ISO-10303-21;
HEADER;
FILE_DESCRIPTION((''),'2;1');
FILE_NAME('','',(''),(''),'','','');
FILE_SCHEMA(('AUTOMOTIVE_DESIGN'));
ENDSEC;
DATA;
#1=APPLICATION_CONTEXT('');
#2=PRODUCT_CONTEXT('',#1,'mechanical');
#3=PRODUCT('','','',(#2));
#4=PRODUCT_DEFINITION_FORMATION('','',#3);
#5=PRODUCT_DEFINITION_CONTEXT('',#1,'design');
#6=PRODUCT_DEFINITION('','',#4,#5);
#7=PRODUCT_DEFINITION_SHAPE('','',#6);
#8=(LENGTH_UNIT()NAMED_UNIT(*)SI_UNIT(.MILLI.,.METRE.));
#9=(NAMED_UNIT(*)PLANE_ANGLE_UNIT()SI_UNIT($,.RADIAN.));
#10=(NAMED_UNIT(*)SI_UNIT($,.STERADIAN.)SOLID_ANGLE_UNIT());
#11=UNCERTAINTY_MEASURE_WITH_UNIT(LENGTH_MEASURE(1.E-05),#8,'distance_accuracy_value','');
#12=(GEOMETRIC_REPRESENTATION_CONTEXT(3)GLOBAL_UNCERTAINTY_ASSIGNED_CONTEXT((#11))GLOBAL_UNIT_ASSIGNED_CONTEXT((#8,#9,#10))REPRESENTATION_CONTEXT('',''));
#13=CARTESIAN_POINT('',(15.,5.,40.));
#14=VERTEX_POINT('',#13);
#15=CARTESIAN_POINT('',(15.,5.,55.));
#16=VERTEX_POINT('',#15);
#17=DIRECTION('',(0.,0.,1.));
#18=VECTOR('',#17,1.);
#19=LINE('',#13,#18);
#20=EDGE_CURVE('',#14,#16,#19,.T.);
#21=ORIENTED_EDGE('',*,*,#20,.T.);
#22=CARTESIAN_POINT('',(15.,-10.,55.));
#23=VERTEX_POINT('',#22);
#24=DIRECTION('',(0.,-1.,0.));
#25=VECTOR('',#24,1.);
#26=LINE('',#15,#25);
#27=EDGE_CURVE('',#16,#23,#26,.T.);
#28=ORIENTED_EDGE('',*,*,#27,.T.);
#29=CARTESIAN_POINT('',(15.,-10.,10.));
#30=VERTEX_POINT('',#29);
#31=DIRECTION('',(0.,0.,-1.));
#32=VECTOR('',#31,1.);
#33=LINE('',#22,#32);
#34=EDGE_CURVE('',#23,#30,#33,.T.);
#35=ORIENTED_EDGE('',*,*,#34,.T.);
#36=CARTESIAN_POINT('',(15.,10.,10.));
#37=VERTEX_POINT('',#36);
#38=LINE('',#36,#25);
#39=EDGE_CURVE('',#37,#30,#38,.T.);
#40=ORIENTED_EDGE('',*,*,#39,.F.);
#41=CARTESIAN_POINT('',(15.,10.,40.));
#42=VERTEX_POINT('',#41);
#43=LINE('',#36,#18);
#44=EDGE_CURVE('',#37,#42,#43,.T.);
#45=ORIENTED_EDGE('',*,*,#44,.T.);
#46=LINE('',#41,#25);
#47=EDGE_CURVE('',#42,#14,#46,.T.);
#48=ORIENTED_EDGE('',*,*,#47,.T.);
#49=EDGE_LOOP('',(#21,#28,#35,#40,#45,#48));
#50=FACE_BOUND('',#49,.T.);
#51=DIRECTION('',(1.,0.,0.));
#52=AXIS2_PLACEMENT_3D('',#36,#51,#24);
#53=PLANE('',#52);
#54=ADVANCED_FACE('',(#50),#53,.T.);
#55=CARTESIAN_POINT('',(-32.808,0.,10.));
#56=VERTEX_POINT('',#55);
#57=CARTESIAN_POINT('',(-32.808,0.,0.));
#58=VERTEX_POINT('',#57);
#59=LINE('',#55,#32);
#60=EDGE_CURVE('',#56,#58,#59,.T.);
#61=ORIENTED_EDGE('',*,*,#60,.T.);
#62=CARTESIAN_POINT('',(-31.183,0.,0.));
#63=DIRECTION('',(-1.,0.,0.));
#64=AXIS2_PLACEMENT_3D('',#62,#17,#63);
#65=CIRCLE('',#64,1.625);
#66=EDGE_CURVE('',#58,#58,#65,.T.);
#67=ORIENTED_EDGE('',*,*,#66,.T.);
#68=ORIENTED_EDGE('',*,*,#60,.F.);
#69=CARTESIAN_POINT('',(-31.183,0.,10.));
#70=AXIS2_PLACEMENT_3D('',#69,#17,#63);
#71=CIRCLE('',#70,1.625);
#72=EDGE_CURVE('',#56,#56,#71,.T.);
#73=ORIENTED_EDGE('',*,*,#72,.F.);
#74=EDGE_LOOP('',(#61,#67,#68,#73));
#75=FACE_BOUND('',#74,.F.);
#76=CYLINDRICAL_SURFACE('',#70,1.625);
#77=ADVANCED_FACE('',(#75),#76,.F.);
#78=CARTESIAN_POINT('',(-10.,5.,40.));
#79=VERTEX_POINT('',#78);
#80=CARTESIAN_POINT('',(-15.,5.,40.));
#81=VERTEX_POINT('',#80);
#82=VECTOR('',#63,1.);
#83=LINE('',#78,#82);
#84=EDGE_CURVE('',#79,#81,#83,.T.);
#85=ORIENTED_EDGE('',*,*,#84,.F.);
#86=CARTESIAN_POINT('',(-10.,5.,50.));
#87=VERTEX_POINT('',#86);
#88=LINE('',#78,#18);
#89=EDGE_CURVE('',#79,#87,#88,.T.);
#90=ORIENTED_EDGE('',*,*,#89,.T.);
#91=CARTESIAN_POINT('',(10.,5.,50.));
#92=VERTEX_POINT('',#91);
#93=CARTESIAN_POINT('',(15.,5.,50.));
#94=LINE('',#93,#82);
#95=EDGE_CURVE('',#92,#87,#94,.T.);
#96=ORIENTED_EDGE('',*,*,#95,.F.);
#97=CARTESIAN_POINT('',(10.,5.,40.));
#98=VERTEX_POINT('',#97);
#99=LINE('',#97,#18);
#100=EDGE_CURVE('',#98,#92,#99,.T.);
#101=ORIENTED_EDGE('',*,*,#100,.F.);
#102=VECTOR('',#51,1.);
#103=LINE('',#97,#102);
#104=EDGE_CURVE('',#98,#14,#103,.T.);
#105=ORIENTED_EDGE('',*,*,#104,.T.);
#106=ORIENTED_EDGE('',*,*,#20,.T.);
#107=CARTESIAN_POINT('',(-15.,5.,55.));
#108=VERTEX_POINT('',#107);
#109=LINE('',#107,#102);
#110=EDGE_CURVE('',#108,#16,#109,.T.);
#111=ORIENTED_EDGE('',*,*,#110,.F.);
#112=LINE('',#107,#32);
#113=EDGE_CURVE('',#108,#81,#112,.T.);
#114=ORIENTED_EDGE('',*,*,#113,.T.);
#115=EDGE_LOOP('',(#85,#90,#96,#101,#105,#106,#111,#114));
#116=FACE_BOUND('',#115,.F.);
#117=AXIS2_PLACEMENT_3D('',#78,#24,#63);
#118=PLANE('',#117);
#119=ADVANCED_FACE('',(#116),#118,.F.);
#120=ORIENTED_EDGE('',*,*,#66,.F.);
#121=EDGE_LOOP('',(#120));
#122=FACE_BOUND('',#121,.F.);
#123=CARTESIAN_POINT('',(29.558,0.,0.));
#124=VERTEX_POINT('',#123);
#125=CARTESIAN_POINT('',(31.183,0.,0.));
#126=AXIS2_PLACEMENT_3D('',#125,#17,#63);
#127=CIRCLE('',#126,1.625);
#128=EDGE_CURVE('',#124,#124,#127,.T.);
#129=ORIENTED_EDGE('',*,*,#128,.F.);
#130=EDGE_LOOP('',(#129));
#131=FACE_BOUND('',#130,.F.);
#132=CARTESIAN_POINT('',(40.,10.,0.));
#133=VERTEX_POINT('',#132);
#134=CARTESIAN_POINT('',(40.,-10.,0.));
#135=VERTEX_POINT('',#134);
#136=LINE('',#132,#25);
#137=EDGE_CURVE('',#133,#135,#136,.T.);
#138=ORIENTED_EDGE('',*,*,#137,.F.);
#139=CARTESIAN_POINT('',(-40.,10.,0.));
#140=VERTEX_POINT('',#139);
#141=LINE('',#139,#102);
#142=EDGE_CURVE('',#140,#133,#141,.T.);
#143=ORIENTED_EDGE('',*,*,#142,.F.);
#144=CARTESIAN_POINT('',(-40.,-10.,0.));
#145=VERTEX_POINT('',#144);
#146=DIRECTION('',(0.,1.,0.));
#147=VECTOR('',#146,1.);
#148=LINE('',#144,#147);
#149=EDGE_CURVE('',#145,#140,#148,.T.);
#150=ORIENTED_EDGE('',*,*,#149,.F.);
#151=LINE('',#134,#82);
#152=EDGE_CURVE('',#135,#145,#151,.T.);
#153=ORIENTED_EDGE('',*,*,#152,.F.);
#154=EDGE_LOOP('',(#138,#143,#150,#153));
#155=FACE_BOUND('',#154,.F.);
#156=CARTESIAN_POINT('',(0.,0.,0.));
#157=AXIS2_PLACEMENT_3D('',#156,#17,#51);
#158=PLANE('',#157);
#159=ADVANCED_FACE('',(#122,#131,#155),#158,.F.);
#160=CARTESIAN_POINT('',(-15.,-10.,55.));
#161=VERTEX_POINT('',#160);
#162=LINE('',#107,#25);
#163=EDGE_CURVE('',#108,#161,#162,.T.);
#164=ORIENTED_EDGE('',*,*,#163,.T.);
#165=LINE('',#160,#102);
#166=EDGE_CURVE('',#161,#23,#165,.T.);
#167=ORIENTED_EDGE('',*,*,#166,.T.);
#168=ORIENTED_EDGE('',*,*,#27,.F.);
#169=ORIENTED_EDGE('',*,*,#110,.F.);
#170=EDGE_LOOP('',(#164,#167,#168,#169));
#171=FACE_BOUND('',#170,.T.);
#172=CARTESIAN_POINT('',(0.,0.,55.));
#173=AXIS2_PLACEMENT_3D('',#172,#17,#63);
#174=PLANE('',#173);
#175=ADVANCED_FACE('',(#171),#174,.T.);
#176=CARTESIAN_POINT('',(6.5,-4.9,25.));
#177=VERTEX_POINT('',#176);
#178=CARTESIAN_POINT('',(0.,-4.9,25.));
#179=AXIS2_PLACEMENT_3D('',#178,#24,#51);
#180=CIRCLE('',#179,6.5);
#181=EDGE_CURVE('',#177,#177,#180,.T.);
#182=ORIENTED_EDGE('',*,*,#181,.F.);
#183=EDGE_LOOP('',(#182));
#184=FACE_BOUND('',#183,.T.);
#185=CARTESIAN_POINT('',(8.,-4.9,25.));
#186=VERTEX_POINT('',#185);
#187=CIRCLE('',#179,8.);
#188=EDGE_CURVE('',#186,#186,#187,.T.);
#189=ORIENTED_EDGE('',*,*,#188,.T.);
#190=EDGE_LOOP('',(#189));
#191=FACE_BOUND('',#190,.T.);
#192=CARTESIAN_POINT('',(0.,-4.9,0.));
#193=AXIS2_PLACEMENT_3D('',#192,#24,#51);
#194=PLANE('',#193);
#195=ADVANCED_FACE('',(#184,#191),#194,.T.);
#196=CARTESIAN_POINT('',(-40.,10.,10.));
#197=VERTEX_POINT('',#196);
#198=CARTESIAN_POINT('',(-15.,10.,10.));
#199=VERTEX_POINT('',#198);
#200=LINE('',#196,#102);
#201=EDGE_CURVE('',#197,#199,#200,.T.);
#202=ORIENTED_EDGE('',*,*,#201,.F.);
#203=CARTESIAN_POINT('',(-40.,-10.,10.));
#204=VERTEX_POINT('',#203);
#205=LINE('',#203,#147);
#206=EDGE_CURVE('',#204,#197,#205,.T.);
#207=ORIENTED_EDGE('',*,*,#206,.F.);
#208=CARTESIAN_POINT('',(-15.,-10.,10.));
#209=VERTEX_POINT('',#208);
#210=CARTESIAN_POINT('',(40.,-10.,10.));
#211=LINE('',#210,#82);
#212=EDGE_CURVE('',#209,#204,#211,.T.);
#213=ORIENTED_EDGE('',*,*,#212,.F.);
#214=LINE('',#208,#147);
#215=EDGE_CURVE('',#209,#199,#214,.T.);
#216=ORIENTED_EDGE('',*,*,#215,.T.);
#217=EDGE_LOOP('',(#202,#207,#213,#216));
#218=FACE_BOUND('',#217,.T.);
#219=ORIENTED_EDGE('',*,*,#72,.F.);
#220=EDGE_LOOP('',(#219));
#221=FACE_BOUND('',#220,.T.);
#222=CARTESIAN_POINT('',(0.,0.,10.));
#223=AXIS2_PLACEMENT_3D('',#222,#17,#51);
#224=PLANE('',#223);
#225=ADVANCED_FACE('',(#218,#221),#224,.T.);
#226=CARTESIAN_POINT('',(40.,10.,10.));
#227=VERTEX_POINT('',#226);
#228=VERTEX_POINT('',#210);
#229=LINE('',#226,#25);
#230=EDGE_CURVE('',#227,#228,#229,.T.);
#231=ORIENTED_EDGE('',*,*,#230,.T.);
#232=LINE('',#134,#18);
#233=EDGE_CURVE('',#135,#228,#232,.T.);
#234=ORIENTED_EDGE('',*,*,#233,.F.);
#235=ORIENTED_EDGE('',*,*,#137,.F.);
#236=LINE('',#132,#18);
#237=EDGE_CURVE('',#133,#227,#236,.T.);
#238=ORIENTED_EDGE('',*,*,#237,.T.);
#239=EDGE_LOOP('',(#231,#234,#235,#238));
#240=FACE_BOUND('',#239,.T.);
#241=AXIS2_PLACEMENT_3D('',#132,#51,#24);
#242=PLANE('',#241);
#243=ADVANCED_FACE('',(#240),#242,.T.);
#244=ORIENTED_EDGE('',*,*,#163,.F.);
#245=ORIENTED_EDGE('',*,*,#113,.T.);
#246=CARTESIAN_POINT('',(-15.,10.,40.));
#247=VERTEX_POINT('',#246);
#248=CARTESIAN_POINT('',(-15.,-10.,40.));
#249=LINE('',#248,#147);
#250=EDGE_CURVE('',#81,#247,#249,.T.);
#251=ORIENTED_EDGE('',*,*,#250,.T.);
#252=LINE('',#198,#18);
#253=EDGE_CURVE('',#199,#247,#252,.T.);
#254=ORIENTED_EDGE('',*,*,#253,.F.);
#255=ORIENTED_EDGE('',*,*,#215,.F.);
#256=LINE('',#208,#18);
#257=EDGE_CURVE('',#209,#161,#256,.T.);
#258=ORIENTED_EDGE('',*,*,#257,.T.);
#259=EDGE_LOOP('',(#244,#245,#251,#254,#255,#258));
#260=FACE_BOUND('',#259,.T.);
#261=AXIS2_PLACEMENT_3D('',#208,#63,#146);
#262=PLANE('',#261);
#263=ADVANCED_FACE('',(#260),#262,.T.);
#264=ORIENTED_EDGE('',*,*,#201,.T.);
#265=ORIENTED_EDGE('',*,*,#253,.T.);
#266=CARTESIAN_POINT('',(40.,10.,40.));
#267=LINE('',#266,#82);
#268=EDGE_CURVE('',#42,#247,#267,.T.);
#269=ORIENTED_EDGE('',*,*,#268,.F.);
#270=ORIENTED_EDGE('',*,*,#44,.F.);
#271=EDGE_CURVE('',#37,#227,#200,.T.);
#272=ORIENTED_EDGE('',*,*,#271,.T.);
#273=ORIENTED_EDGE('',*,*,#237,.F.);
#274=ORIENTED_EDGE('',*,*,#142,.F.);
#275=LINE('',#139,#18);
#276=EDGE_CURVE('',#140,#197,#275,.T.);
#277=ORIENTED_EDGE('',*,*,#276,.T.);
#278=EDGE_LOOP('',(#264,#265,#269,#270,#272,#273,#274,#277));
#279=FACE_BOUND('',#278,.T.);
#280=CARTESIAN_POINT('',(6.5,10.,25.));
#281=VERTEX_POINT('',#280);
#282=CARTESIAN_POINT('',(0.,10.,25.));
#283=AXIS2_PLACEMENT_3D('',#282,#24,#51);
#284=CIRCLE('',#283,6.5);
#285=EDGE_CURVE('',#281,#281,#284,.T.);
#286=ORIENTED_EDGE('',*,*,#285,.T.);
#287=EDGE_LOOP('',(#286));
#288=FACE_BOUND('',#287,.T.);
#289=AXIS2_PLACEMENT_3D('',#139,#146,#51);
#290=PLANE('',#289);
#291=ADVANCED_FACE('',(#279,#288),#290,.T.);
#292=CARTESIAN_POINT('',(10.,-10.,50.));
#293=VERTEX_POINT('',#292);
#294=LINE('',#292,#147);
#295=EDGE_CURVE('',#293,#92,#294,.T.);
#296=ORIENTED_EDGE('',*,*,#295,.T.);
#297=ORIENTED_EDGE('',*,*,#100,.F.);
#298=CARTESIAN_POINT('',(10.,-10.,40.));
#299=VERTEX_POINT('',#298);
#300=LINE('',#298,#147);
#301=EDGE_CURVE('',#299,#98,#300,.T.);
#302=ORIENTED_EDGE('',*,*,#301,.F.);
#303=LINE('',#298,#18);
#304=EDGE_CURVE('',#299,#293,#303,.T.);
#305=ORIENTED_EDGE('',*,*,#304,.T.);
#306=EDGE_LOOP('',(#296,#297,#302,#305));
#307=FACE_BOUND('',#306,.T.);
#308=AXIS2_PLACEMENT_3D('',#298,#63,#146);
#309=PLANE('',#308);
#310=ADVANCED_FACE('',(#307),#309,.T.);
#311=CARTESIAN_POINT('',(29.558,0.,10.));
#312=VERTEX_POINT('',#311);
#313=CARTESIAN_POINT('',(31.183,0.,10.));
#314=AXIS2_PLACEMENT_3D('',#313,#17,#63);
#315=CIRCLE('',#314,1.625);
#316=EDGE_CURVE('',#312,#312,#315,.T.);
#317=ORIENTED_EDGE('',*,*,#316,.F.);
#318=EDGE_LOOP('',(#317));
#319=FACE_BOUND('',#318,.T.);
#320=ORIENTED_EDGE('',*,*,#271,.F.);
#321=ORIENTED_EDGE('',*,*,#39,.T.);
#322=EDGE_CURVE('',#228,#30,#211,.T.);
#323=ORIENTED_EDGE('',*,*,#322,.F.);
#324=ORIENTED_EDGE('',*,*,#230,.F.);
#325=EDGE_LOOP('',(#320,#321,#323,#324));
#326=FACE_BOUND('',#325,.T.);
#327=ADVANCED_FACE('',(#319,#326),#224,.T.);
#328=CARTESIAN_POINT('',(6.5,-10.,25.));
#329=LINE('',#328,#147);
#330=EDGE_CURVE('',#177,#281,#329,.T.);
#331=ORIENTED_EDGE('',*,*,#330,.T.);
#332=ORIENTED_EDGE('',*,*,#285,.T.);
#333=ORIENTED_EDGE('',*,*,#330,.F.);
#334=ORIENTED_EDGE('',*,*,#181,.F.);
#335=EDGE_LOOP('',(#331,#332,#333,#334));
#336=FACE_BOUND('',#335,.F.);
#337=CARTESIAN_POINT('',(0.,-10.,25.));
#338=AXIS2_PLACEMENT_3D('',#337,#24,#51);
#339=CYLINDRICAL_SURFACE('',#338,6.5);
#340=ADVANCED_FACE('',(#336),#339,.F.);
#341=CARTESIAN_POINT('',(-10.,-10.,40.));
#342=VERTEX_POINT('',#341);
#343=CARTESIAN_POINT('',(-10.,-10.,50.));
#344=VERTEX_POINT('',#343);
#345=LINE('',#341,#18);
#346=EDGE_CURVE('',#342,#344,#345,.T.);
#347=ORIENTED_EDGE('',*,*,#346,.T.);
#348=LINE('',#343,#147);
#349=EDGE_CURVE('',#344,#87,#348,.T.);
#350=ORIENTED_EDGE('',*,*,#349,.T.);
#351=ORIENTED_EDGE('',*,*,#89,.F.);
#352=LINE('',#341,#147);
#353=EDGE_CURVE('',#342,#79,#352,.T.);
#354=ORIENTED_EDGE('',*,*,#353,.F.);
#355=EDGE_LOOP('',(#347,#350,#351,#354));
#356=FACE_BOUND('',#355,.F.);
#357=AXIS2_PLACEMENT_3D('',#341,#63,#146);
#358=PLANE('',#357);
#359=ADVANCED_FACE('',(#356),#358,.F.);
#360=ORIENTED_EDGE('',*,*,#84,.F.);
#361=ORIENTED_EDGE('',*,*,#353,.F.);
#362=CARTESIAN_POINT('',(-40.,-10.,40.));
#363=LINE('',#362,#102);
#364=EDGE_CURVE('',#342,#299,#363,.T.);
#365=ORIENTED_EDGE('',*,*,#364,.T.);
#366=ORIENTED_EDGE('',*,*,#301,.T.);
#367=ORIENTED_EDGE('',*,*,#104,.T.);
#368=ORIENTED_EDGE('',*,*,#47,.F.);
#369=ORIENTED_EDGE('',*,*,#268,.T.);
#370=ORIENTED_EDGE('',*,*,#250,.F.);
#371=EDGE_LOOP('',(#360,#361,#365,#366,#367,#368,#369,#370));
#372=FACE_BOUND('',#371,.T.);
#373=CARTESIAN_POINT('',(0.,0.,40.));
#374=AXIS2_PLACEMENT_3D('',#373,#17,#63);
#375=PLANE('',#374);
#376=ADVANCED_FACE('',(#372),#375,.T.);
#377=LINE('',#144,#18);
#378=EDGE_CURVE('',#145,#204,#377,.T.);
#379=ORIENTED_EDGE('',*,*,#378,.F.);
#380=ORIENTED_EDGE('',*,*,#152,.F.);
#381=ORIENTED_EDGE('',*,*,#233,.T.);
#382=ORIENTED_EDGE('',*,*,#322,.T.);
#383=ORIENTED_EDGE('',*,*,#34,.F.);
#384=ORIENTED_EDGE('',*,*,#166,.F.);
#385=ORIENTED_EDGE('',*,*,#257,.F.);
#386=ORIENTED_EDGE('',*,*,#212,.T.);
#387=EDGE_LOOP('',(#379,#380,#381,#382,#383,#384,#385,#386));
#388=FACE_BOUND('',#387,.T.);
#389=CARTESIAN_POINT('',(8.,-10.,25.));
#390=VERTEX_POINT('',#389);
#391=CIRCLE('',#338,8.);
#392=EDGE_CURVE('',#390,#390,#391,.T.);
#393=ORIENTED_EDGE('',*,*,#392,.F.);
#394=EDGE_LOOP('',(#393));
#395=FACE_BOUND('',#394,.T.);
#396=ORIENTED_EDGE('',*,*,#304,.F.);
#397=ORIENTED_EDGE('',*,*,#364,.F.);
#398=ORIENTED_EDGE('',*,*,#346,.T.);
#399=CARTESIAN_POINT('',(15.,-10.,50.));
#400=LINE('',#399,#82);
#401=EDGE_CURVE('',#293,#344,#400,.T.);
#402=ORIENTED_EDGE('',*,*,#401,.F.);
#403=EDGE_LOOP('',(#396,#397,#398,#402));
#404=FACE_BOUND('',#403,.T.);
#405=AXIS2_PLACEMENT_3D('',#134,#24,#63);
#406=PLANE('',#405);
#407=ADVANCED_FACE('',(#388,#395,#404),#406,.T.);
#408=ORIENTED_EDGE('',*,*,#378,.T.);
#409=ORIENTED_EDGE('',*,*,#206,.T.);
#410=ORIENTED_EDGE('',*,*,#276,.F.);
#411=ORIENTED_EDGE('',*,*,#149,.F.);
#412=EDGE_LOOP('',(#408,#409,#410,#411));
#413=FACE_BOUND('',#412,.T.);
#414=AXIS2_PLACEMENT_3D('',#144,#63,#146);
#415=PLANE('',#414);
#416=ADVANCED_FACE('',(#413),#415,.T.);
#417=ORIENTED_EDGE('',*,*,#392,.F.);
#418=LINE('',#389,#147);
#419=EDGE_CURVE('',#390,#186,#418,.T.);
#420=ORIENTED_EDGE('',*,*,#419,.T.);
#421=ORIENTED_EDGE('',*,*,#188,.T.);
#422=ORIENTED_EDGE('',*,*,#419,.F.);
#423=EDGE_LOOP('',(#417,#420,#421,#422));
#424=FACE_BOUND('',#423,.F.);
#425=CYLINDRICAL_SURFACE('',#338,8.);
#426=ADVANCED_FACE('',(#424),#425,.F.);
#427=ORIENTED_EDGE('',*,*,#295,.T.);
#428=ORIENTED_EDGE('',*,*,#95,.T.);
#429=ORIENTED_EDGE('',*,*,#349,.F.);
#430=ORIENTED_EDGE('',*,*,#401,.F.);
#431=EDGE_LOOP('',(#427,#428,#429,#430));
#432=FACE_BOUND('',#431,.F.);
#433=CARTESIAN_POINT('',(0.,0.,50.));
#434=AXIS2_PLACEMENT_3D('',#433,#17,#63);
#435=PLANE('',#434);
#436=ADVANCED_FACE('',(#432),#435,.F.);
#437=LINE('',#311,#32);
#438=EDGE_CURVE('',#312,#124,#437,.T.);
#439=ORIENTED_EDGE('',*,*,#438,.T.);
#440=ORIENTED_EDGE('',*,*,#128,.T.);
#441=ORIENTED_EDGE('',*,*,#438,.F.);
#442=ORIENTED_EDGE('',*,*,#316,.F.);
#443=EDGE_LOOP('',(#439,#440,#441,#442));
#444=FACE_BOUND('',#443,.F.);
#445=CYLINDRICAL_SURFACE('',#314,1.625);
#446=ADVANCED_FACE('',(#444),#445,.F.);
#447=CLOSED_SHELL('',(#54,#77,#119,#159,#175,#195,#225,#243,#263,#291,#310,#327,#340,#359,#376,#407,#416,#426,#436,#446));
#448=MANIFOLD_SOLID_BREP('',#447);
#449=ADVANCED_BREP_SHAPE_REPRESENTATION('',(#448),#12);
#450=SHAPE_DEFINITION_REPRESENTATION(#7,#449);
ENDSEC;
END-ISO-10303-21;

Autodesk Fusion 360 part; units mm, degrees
sketch "Esquisse1" plane through (0, 0, 0) normal (0, 0, 1) x (1, 0, 0)
  line L0 (-40, 10) -> (40, 10)
  line L1 (40, 10) -> (40, -10)
  line L2 (40, -10) -> (-40, -10)
  line L3 (-40, -10) -> (-40, 10)
extrude "Extrusion1" add sketch "Esquisse1" along normal blind 10
sketch "Esquisse2" plane through (0, 0, 10) normal (0, 0, 1) x (-1, 0, 0)
  line L0 (40, 10) -> (-40, 10)
  line L1 (-40, 10) -> (-40, -10)
  line L2 (-40, -10) -> (40, -10)
  line L3 (40, -10) -> (40, 10)
  line L4 (15, -10) -> (-15, -10)
  line L5 (-15, -10) -> (-15, 10)
  line L6 (-15, 10) -> (15, 10)
  line L7 (15, 10) -> (15, -10)
  circle A0 centre (-31.183, 0) radius 1.625
  circle A1 centre (31.183, 0) radius 1.625
  dimension "d7" = 3.25
  dimension "d8" = 3.25
extrude "Extrusion2" cut sketch "Esquisse2" against normal blind 10 contours A1
extrude "Extrusion3" cut sketch "Esquisse2" against normal blind 10 contours A0
extrude "Extrusion4" add sketch "Esquisse2" along normal blind 30 contours L0 L2 L4 L5 L6 L7
sketch "Esquisse3" plane through (0, -10, 0) normal (0, -1, 0) x (1, 0, 0)
  line L0 (-40, 0) -> (40, 0)
  line L1 (40, 0) -> (40, 10)
  line L2 (40, 10) -> (15, 10)
  line L3 (15, 10) -> (15, 40)
  line L4 (15, 40) -> (-15, 40)
  line L5 (-15, 40) -> (-15, 10)
  line L6 (-15, 10) -> (-40, 10)
  line L7 (-40, 10) -> (-40, 0)
  circle A0 centre (0, 25) radius 6.5
  circle A1 centre (0, 25) radius 8
  dimension "d15" = 13
  dimension "d16" = 16
extrude "Extrusion5" cut sketch "Esquisse3" against normal blind 20 contours A0
extrude "Extrusion6" cut sketch "Esquisse3" against normal blind 5.1 contours A1
sketch "Esquisse4" plane through (0, 0, 40) normal (0, 0, 1) x (-1, 0, 0)
  line L0 (15, 10) -> (-15, 10)
  line L1 (-15, 10) -> (-15, -10)
  line L2 (-15, -10) -> (15, -10)
  line L3 (15, -10) -> (15, 10)
  line L4 (15, 10) -> (10, 10)
  line L5 (10, 10) -> (10, -5)
  line L6 (10, -5) -> (15, -5)
  line L7 (15, -5) -> (15, 10)
  line L8 (-15, 10) -> (-10, 10)
  line L9 (-10, 10) -> (-10, -5)
  line L10 (-10, -5) -> (-15, -5)
  line L11 (-15, -5) -> (-15, 10)
extrude "Extrusion7" add sketch "Esquisse4" along normal blind 10 contours L0 L3 L4 L5 L6 L7 | L0 L1 L8 L9 L10 L11
sketch "Esquisse5" plane through (0, 0, 50) normal (0, 0, 1) x (-1, 0, 0)
  line L0 (15, -5) -> (15, 10)
  line L1 (15, 10) -> (10, 10)
  line L2 (10, 10) -> (10, -5)
  line L3 (10, -5) -> (15, -5)
  line L4 (15, -5) -> (-15, -5)
  line L5 (-15, -5) -> (-15, 10)
  line L6 (-15, 10) -> (15, 10)
  line L7 (15, 10) -> (15, -5)
extrude "Extrusion8" add sketch "Esquisse5" along normal blind 5
